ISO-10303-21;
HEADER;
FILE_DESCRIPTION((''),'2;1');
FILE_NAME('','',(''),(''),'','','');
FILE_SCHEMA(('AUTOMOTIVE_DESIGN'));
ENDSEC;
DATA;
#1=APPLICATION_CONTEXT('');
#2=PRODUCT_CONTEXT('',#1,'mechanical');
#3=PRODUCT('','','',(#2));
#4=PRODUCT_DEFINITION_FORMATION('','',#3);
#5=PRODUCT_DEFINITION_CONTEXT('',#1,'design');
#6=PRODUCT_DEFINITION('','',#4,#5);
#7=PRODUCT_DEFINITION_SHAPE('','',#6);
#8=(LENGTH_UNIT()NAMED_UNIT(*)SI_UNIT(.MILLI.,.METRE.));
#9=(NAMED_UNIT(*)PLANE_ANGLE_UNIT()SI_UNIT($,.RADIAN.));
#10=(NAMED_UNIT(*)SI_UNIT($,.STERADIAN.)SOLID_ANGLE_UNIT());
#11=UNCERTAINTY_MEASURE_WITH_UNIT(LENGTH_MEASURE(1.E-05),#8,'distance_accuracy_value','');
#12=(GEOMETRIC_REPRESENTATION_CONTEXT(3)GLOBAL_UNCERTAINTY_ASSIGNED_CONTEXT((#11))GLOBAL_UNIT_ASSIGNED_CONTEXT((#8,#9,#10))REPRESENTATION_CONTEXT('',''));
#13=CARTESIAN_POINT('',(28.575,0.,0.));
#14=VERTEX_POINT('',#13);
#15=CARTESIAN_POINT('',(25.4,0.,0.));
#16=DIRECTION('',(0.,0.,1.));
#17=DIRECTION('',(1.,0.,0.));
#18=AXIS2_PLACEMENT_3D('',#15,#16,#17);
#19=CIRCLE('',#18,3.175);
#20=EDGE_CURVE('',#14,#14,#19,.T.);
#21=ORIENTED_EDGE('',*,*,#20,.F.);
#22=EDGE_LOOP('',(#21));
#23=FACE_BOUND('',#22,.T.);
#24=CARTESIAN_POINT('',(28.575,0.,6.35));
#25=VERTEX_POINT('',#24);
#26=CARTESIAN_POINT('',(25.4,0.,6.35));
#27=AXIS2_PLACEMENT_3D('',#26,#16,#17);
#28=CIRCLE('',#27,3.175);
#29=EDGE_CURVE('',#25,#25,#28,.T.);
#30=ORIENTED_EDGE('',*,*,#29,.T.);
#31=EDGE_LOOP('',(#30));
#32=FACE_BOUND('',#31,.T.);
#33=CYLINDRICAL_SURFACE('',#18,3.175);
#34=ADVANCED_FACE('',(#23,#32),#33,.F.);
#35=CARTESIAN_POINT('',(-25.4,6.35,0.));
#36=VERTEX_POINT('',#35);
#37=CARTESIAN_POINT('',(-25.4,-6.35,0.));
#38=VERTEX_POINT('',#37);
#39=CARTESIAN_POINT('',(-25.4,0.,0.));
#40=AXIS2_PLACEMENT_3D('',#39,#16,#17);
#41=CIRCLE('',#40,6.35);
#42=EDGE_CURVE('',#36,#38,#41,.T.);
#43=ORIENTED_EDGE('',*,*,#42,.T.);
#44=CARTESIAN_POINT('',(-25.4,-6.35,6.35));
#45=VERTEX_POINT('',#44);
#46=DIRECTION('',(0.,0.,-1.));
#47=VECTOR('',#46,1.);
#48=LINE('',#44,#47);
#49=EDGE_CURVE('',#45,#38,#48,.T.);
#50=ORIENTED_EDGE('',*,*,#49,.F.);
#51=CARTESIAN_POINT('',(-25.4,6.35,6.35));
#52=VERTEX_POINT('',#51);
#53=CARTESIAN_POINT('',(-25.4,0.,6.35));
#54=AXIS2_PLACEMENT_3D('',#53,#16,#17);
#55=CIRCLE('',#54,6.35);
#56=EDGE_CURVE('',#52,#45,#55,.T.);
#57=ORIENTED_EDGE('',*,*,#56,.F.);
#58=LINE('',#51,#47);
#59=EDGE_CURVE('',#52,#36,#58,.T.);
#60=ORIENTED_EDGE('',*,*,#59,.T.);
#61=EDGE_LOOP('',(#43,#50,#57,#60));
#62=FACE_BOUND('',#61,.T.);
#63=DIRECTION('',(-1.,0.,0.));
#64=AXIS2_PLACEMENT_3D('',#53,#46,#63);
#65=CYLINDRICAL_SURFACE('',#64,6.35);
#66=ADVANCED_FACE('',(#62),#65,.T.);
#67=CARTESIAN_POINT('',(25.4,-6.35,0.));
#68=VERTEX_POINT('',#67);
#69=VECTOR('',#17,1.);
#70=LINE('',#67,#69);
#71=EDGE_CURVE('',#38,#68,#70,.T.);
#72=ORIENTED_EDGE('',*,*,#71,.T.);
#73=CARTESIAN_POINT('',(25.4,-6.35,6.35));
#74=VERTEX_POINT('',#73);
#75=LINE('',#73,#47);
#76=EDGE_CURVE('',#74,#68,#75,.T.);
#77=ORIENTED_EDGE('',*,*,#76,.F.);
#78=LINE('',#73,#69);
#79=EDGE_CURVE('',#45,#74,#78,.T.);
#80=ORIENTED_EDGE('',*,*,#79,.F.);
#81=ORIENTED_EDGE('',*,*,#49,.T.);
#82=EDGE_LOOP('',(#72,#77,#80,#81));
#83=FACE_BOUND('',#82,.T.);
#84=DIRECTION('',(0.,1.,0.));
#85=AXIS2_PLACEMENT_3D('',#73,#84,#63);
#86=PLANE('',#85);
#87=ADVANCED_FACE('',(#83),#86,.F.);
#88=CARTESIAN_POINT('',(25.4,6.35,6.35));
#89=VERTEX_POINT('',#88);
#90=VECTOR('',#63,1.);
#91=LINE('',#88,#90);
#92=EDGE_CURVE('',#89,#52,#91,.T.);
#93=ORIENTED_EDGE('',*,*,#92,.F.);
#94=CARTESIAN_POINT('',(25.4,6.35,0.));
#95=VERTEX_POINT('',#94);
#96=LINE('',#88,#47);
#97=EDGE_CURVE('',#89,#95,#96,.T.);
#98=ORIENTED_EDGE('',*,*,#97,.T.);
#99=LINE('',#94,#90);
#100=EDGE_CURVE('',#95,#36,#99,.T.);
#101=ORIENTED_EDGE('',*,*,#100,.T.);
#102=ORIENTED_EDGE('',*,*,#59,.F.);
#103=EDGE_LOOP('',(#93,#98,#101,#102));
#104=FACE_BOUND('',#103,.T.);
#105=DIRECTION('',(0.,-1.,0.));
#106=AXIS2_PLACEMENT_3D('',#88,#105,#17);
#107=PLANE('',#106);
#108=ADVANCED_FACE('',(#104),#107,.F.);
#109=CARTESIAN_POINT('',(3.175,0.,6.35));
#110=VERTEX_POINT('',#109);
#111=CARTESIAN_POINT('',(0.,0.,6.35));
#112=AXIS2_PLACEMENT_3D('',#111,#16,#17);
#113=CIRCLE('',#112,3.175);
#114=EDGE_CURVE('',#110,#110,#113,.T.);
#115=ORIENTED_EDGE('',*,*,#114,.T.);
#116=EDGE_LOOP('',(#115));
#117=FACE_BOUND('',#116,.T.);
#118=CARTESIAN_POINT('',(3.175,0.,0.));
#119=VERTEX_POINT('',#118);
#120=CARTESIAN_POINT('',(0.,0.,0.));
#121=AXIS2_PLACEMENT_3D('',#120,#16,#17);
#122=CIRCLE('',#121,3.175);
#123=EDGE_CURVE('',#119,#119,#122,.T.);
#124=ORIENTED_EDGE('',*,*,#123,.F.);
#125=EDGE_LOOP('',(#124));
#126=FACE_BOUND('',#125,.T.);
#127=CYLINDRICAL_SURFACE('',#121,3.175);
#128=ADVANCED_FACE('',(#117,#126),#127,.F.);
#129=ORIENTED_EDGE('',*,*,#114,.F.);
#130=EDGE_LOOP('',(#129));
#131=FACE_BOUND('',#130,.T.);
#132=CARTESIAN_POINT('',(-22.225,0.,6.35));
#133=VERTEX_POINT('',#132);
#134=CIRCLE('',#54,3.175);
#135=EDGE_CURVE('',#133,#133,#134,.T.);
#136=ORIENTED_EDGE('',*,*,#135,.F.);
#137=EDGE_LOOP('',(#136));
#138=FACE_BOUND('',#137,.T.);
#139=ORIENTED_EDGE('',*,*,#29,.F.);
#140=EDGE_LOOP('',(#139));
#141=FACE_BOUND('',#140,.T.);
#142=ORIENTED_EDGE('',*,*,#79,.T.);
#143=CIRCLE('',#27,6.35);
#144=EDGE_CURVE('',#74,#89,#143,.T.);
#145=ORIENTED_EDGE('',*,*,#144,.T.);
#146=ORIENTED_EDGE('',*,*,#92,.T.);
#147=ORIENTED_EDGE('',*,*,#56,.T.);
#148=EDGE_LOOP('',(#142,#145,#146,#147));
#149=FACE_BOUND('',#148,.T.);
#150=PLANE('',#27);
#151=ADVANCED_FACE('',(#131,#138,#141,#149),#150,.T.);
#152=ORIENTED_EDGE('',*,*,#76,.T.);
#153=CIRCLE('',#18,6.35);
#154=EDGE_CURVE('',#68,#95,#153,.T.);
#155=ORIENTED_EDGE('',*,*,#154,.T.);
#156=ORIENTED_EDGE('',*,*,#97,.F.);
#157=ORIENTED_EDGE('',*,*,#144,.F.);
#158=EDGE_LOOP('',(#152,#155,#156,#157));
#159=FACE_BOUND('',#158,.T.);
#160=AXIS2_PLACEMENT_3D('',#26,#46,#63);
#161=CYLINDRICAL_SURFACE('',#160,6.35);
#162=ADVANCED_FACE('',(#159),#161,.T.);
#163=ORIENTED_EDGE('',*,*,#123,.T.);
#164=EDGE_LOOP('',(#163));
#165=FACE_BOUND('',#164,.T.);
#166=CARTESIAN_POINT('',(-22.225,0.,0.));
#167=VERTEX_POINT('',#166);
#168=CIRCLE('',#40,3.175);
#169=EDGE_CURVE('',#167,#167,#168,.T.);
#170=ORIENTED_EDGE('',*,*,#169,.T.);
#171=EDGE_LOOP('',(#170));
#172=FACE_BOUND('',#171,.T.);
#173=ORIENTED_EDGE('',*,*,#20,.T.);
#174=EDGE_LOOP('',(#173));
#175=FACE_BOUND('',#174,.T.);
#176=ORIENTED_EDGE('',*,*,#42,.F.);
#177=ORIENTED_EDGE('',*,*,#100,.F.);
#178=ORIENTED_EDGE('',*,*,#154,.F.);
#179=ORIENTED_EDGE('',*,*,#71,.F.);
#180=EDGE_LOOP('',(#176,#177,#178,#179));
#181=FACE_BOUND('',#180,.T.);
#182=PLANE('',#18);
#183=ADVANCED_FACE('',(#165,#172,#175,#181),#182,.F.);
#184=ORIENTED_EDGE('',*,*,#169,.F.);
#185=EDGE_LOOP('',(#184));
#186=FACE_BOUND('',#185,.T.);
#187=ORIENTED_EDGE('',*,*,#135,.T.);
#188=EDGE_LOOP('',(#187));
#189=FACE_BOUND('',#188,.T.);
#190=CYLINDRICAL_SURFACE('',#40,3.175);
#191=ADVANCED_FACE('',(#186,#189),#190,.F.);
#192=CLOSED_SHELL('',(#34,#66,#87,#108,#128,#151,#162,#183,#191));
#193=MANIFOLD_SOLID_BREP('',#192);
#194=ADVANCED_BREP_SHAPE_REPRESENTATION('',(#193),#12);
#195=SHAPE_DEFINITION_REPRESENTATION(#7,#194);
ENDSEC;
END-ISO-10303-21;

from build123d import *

# Parameters (mm, degrees)
BOSS_EXTRUDE1_DEPTH = 6.35
SKETCH3_R           = 3.175
CUT_EXTRUDE1_DEPTH  = 33.995567884


with BuildPart() as part:
    # Sketch2 → Boss-Extrude1 (new body)
    with BuildSketch(Plane.XY):
        with BuildLine():
            Line((25.4, -6.35), (-25.4, -6.35))
            ThreePointArc((-25.4, -6.35), (-31.75, 0), (-25.4, 6.35))
            Line((-25.4, 6.35), (25.4, 6.35))
            ThreePointArc((25.4, 6.35), (31.75, 0), (25.4, -6.35))
        make_face()
    extrude(amount=BOSS_EXTRUDE1_DEPTH)

    # Sketch3 → Cut-Extrude1 (cut, through all)
    with BuildSketch(Plane.XY.offset(6.35)):
        with Locations((-25.4, 0)):
            Circle(SKETCH3_R)
        Circle(SKETCH3_R)
        with Locations((25.4, 0)):
            Circle(SKETCH3_R)
    extrude(amount=-CUT_EXTRUDE1_DEPTH, mode=Mode.SUBTRACT)


solid = part.part
